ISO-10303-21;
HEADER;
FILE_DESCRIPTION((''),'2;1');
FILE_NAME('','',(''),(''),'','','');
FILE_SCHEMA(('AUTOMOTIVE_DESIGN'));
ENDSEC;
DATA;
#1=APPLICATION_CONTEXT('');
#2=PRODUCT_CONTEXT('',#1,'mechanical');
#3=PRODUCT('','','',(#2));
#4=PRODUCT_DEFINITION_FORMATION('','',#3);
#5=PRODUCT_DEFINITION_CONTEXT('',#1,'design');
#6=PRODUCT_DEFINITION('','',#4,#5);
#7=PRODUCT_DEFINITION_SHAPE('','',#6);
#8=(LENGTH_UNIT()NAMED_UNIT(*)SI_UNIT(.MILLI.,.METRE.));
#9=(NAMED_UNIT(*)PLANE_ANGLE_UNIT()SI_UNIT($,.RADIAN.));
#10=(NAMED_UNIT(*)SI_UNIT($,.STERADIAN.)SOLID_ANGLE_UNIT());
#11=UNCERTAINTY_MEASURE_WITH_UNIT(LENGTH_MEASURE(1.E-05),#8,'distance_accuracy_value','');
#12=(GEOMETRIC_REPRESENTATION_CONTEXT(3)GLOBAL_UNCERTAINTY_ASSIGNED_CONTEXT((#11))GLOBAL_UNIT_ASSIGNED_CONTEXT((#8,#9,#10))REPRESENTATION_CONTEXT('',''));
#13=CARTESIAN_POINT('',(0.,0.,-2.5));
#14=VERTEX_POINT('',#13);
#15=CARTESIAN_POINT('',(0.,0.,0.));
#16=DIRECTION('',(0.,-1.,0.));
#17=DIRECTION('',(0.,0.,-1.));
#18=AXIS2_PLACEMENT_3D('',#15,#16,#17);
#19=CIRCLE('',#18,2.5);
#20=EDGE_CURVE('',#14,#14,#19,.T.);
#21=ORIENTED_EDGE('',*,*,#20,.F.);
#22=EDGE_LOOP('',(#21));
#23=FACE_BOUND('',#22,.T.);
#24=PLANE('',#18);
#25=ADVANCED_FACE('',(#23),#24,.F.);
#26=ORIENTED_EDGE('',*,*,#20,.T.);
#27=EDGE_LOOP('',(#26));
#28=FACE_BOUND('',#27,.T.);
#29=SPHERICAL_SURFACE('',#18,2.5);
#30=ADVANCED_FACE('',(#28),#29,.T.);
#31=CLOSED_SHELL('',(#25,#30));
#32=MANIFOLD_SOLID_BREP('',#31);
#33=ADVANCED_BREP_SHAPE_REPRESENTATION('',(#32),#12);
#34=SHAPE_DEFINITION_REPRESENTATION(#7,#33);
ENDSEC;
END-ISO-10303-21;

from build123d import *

# Parameters (mm, degrees)
REVOLVE1_ANGLE = 180


with BuildPart() as part:
    # Sketch1 → Revolve1 (revolve)
    with BuildSketch(Plane(origin=(0, 0, 0), x_dir=(1, 0, 0), z_dir=(0, 1, 0))):
        with BuildLine():
            Line((-2.5, 0), (2.5, 0))
            ThreePointArc((2.5, 0), (0, 2.5), (-2.5, 0))
        make_face()
    revolve(axis=Axis((-2.5, 0, 0), (-1, 0, 0)), revolution_arc=REVOLVE1_ANGLE)


solid = part.part
